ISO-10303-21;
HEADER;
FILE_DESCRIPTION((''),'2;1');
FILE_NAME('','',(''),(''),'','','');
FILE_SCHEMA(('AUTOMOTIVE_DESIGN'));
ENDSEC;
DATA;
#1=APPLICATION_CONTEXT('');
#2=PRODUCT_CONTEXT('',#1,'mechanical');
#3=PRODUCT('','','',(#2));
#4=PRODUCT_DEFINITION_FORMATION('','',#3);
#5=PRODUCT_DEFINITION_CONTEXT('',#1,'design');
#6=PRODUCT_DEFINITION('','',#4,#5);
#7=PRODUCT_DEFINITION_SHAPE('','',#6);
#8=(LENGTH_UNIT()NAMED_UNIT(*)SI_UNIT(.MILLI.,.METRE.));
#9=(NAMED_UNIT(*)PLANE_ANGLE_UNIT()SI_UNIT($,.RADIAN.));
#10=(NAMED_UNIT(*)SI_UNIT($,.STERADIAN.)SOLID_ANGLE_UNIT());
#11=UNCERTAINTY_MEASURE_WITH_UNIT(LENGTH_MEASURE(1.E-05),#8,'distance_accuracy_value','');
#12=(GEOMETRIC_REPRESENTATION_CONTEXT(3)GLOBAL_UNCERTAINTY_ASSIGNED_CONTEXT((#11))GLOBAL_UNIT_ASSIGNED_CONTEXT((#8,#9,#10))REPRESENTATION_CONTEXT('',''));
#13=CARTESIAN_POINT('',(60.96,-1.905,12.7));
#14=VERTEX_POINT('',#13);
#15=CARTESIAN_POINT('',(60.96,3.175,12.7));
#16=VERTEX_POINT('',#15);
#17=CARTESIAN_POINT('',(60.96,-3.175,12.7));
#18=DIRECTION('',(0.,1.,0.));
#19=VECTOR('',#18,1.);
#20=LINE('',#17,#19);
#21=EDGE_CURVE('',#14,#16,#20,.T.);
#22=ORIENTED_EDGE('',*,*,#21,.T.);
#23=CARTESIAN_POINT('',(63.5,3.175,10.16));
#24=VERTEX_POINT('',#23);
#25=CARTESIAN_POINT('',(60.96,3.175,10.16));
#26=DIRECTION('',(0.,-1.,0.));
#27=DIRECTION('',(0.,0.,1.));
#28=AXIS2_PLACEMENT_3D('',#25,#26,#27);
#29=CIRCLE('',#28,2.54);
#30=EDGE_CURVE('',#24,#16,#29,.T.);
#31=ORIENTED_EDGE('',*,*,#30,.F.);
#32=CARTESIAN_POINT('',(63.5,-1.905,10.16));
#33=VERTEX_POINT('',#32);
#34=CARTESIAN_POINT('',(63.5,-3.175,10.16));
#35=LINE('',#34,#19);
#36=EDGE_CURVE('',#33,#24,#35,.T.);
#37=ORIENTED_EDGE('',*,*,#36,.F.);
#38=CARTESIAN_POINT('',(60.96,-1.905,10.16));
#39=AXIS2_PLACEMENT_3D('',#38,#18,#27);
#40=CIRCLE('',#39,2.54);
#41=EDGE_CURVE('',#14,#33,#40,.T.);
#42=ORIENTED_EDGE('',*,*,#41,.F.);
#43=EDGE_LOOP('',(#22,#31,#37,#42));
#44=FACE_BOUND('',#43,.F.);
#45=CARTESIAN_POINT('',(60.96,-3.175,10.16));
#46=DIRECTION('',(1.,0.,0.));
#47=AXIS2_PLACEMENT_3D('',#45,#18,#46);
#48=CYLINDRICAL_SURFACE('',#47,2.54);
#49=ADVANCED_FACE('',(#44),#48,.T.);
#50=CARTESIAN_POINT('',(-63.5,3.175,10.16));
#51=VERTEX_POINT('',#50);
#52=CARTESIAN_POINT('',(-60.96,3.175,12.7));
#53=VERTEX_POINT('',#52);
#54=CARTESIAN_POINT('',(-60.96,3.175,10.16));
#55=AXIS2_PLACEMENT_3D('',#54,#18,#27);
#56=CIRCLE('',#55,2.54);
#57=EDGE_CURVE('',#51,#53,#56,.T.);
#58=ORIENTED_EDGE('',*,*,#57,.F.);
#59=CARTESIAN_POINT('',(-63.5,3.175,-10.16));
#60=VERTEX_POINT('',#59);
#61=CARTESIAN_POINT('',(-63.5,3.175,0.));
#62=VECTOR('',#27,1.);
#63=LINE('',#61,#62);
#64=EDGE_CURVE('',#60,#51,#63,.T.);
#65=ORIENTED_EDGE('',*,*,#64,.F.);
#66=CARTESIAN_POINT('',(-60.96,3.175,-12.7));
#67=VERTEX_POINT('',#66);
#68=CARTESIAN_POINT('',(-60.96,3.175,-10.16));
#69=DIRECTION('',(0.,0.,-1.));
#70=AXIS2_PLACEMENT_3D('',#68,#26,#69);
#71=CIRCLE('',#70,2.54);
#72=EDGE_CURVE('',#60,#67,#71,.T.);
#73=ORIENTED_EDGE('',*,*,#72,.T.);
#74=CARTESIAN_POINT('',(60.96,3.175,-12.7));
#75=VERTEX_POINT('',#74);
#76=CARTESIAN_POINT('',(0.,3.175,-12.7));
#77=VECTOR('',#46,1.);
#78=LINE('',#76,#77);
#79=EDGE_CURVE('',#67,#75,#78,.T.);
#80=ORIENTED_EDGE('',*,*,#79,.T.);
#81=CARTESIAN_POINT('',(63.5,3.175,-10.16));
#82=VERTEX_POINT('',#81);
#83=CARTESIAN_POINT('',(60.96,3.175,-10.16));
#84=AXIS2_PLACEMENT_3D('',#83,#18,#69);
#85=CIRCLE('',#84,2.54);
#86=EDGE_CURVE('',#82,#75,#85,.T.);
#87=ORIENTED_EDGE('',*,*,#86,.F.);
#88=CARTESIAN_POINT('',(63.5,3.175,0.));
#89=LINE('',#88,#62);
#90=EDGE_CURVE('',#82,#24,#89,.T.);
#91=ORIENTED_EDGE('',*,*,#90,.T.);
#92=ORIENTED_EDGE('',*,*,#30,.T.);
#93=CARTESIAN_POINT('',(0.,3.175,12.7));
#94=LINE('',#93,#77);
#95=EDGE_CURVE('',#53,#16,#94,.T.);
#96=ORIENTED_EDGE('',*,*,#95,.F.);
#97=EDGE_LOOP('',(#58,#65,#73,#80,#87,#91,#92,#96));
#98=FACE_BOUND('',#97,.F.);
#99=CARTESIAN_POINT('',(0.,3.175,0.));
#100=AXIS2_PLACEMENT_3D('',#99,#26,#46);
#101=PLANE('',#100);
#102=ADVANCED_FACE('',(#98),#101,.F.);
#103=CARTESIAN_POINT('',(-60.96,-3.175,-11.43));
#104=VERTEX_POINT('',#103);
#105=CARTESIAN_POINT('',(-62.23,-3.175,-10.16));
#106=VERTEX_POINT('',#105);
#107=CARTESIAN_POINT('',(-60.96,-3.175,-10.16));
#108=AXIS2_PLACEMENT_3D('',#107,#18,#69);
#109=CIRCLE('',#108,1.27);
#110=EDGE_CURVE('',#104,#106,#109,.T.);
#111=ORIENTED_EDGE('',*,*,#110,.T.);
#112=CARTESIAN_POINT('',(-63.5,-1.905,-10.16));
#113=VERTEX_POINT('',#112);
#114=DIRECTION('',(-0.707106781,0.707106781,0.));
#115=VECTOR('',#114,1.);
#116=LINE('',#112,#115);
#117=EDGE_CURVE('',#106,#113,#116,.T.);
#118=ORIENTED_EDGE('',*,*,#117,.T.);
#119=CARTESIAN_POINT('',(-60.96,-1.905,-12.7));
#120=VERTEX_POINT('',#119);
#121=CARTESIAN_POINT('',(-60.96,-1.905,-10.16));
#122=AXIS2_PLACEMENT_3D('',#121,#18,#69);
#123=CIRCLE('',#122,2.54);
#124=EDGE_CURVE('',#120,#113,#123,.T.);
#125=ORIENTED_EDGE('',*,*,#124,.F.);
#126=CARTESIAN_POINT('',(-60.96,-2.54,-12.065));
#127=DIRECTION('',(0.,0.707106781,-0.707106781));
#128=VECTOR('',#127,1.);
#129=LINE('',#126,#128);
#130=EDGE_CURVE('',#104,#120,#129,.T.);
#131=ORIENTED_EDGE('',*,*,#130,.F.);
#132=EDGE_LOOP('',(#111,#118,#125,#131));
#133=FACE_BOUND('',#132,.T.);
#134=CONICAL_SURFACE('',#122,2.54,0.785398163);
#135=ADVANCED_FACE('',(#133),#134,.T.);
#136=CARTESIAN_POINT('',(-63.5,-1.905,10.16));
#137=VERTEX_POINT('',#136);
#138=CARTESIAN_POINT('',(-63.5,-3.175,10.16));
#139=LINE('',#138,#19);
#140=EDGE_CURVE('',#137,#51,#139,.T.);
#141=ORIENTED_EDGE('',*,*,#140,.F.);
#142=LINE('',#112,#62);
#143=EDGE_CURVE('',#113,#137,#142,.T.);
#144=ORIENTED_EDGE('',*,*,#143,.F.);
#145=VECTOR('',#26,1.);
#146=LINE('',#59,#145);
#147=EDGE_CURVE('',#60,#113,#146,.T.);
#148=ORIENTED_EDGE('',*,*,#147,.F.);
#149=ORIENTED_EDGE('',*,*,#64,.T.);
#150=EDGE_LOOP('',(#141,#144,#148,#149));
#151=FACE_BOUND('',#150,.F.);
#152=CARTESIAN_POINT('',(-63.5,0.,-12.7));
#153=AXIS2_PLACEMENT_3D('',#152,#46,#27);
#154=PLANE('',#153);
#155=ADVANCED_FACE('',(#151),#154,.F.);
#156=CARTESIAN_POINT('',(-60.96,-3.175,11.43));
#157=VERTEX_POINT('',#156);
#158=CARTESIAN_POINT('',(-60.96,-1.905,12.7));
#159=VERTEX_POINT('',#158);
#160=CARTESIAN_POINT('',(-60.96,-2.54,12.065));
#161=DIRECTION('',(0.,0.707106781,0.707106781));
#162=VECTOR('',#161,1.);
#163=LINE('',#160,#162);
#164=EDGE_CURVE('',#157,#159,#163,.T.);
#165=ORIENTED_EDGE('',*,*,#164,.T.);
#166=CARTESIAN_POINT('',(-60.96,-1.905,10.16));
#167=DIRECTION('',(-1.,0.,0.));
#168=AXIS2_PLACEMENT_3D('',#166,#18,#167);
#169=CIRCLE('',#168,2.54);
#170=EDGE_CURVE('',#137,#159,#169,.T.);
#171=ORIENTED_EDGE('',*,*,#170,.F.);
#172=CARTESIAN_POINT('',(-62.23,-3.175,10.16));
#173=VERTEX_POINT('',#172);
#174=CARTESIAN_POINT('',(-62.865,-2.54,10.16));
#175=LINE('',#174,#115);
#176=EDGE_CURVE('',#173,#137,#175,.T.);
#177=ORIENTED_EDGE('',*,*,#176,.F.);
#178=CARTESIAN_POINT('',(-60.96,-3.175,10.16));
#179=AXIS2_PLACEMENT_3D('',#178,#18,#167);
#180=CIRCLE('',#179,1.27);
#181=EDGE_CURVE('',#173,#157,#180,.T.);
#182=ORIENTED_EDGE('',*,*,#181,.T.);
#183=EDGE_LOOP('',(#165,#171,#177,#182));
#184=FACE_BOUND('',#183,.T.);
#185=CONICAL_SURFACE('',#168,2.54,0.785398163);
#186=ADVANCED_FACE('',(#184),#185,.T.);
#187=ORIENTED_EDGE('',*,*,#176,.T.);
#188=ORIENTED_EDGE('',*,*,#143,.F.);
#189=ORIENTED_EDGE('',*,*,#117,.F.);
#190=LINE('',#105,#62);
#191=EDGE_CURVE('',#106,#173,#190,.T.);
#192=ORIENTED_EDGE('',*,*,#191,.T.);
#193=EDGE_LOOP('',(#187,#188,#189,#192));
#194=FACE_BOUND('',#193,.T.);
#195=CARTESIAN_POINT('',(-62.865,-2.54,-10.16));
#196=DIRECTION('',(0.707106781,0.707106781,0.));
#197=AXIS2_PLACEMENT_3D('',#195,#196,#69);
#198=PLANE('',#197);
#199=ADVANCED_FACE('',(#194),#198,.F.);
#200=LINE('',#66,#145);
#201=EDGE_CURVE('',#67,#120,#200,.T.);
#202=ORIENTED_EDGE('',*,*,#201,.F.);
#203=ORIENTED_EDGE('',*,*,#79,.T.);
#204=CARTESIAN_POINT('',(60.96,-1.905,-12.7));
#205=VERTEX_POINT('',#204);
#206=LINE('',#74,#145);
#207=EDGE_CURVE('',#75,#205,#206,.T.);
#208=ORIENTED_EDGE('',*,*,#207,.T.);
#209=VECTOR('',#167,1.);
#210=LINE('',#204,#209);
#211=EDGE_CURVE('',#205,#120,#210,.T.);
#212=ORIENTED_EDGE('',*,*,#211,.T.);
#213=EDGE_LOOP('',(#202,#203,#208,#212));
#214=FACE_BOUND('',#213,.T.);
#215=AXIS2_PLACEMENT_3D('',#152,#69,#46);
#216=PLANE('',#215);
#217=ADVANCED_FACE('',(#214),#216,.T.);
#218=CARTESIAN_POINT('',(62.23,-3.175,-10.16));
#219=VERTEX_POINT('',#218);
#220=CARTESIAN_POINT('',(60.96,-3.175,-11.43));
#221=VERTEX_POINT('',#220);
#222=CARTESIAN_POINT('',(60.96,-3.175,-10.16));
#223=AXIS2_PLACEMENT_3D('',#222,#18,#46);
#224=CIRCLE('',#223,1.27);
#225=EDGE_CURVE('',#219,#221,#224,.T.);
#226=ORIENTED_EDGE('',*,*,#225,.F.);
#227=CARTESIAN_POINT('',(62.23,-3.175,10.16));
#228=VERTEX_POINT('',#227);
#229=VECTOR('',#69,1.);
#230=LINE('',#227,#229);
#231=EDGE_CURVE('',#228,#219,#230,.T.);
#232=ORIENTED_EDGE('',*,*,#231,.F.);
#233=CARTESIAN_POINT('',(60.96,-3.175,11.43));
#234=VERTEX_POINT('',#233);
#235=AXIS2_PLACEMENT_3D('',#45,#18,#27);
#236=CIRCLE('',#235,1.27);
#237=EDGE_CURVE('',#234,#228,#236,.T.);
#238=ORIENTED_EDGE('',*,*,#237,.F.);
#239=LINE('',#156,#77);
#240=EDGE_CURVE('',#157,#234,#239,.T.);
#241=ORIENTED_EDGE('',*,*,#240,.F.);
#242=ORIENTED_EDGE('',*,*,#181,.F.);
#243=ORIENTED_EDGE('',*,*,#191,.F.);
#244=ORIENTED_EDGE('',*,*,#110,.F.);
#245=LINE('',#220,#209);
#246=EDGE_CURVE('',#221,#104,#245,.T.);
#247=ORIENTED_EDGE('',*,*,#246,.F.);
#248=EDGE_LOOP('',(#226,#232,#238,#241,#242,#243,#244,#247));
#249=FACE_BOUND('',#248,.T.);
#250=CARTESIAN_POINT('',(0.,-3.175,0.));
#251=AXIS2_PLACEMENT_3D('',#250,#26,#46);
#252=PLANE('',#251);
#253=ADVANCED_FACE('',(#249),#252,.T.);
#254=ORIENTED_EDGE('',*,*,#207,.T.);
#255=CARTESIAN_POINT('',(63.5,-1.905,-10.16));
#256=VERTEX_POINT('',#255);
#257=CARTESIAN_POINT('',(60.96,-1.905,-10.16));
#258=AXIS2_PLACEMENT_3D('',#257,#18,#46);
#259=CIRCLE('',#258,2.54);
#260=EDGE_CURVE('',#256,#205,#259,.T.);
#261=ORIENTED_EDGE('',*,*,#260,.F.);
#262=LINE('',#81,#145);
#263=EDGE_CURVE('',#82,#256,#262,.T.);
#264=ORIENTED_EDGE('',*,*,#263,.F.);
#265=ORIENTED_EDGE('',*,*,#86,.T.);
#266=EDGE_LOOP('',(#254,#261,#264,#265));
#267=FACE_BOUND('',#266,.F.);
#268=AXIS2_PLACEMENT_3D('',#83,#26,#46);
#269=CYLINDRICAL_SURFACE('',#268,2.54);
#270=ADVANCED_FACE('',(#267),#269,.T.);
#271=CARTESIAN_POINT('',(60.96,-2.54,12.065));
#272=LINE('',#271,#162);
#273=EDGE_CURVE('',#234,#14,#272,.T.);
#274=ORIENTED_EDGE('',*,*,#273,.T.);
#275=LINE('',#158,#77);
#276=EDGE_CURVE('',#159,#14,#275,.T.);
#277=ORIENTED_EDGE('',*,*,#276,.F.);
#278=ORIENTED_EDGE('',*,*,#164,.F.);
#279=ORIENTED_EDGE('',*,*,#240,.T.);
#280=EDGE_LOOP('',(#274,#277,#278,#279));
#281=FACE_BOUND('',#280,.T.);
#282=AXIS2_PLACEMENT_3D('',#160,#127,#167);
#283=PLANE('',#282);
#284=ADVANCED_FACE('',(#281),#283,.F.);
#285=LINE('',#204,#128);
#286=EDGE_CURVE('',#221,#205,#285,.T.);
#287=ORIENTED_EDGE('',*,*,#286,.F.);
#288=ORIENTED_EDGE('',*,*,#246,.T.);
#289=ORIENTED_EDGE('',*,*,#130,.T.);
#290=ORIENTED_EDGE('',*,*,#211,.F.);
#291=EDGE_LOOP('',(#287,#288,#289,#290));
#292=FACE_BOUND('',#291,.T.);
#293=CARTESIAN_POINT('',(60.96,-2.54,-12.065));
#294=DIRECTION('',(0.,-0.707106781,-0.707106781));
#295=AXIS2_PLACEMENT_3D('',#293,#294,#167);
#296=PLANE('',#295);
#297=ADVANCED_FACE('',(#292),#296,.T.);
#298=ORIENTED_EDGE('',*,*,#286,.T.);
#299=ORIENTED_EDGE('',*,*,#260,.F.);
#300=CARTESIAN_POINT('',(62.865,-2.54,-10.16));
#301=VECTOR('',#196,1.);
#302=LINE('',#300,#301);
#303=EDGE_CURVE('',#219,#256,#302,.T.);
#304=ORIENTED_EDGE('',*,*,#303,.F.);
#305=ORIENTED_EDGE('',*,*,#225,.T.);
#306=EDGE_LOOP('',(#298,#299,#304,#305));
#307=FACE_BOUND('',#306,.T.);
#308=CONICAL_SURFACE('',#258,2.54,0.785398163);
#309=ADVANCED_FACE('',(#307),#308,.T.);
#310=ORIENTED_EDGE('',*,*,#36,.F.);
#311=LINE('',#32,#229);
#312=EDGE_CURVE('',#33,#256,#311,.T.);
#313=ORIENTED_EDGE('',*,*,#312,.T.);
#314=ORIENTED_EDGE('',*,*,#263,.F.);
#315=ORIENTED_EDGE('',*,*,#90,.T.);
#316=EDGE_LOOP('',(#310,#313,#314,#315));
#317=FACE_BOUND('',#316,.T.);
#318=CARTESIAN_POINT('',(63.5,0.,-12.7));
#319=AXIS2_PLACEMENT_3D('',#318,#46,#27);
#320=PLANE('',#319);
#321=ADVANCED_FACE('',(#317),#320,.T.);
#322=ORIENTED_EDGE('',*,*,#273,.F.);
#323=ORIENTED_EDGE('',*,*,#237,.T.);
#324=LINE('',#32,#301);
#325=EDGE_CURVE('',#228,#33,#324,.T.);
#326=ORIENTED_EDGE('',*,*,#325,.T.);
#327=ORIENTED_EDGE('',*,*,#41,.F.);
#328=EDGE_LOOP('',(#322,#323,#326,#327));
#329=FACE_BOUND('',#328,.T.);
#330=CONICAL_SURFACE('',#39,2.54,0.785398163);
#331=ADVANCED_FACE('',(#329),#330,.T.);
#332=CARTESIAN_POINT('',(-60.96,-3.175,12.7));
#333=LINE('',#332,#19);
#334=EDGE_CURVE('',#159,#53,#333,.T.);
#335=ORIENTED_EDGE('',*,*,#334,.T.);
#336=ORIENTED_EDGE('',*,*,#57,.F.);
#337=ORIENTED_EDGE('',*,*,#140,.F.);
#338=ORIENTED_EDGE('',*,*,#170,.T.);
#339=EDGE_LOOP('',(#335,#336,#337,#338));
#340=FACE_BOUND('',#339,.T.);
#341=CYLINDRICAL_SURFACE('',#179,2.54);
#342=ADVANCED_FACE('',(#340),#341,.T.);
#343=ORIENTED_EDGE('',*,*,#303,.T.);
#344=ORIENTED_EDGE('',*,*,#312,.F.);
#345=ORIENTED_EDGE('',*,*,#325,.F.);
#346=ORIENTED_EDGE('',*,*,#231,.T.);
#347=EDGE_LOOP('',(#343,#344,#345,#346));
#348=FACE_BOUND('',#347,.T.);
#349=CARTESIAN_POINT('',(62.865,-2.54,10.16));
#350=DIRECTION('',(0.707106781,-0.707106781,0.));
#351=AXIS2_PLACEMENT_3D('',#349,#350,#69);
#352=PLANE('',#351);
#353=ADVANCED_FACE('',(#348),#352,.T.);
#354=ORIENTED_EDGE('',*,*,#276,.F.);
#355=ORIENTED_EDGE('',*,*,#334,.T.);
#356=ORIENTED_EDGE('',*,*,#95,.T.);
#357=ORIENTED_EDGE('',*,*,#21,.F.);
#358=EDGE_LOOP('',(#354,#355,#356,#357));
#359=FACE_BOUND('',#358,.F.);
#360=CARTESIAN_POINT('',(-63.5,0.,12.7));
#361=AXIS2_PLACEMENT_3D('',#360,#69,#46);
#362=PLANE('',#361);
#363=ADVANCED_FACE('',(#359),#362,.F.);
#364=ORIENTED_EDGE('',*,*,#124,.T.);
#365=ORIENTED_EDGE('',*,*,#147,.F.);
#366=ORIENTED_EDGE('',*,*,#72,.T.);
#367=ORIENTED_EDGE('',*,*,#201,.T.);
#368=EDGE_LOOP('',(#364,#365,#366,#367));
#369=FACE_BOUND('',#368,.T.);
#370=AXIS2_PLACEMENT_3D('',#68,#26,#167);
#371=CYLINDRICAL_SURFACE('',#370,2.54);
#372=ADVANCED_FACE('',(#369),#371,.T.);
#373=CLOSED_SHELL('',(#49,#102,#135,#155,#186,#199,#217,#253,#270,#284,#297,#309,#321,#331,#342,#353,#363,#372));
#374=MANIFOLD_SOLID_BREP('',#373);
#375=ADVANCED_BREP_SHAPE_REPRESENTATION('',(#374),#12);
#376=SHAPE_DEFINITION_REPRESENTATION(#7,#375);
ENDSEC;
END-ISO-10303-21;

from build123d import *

# Parameters (mm, degrees)
F0_W     = 127
F0_H     = 25.4
F1_DEPTH = 3.175
F2_R     = 2.54
F3_SIZE  = 1.27


with BuildPart() as f1:
    # F0 (on Front) → F1 (new body, symmetric)
    with BuildSketch(Plane.XZ):
        Rectangle(F0_W, F0_H)
    extrude(amount=F1_DEPTH, both=True)

    # F2
    f2_edges = [f1.edges().sort_by_distance(p)[0] for p in [
        (-63.5, 0, -12.7),
        (63.5, 0, -12.7),
        (-63.5, 0, 12.7),
        (63.5, 0, 12.7),
    ]]
    fillet(f2_edges, radius=F2_R)

    # F3
    f3_edges = [f1.edges().sort_by_distance(p)[0] for p in [
        (0, -3.175, 12.7),
        (-63.5, -3.175, 0),
        (0, -3.175, -12.7),
        (63.5, -3.175, 0),
        (62.756051, -3.175, 11.956051),
        (-62.756051, -3.175, 11.956051),
        (-62.756051, -3.175, -11.956051),
        (62.756051, -3.175, -11.956051),
    ]]
    chamfer(f3_edges, length=F3_SIZE)


solid = f1.part
